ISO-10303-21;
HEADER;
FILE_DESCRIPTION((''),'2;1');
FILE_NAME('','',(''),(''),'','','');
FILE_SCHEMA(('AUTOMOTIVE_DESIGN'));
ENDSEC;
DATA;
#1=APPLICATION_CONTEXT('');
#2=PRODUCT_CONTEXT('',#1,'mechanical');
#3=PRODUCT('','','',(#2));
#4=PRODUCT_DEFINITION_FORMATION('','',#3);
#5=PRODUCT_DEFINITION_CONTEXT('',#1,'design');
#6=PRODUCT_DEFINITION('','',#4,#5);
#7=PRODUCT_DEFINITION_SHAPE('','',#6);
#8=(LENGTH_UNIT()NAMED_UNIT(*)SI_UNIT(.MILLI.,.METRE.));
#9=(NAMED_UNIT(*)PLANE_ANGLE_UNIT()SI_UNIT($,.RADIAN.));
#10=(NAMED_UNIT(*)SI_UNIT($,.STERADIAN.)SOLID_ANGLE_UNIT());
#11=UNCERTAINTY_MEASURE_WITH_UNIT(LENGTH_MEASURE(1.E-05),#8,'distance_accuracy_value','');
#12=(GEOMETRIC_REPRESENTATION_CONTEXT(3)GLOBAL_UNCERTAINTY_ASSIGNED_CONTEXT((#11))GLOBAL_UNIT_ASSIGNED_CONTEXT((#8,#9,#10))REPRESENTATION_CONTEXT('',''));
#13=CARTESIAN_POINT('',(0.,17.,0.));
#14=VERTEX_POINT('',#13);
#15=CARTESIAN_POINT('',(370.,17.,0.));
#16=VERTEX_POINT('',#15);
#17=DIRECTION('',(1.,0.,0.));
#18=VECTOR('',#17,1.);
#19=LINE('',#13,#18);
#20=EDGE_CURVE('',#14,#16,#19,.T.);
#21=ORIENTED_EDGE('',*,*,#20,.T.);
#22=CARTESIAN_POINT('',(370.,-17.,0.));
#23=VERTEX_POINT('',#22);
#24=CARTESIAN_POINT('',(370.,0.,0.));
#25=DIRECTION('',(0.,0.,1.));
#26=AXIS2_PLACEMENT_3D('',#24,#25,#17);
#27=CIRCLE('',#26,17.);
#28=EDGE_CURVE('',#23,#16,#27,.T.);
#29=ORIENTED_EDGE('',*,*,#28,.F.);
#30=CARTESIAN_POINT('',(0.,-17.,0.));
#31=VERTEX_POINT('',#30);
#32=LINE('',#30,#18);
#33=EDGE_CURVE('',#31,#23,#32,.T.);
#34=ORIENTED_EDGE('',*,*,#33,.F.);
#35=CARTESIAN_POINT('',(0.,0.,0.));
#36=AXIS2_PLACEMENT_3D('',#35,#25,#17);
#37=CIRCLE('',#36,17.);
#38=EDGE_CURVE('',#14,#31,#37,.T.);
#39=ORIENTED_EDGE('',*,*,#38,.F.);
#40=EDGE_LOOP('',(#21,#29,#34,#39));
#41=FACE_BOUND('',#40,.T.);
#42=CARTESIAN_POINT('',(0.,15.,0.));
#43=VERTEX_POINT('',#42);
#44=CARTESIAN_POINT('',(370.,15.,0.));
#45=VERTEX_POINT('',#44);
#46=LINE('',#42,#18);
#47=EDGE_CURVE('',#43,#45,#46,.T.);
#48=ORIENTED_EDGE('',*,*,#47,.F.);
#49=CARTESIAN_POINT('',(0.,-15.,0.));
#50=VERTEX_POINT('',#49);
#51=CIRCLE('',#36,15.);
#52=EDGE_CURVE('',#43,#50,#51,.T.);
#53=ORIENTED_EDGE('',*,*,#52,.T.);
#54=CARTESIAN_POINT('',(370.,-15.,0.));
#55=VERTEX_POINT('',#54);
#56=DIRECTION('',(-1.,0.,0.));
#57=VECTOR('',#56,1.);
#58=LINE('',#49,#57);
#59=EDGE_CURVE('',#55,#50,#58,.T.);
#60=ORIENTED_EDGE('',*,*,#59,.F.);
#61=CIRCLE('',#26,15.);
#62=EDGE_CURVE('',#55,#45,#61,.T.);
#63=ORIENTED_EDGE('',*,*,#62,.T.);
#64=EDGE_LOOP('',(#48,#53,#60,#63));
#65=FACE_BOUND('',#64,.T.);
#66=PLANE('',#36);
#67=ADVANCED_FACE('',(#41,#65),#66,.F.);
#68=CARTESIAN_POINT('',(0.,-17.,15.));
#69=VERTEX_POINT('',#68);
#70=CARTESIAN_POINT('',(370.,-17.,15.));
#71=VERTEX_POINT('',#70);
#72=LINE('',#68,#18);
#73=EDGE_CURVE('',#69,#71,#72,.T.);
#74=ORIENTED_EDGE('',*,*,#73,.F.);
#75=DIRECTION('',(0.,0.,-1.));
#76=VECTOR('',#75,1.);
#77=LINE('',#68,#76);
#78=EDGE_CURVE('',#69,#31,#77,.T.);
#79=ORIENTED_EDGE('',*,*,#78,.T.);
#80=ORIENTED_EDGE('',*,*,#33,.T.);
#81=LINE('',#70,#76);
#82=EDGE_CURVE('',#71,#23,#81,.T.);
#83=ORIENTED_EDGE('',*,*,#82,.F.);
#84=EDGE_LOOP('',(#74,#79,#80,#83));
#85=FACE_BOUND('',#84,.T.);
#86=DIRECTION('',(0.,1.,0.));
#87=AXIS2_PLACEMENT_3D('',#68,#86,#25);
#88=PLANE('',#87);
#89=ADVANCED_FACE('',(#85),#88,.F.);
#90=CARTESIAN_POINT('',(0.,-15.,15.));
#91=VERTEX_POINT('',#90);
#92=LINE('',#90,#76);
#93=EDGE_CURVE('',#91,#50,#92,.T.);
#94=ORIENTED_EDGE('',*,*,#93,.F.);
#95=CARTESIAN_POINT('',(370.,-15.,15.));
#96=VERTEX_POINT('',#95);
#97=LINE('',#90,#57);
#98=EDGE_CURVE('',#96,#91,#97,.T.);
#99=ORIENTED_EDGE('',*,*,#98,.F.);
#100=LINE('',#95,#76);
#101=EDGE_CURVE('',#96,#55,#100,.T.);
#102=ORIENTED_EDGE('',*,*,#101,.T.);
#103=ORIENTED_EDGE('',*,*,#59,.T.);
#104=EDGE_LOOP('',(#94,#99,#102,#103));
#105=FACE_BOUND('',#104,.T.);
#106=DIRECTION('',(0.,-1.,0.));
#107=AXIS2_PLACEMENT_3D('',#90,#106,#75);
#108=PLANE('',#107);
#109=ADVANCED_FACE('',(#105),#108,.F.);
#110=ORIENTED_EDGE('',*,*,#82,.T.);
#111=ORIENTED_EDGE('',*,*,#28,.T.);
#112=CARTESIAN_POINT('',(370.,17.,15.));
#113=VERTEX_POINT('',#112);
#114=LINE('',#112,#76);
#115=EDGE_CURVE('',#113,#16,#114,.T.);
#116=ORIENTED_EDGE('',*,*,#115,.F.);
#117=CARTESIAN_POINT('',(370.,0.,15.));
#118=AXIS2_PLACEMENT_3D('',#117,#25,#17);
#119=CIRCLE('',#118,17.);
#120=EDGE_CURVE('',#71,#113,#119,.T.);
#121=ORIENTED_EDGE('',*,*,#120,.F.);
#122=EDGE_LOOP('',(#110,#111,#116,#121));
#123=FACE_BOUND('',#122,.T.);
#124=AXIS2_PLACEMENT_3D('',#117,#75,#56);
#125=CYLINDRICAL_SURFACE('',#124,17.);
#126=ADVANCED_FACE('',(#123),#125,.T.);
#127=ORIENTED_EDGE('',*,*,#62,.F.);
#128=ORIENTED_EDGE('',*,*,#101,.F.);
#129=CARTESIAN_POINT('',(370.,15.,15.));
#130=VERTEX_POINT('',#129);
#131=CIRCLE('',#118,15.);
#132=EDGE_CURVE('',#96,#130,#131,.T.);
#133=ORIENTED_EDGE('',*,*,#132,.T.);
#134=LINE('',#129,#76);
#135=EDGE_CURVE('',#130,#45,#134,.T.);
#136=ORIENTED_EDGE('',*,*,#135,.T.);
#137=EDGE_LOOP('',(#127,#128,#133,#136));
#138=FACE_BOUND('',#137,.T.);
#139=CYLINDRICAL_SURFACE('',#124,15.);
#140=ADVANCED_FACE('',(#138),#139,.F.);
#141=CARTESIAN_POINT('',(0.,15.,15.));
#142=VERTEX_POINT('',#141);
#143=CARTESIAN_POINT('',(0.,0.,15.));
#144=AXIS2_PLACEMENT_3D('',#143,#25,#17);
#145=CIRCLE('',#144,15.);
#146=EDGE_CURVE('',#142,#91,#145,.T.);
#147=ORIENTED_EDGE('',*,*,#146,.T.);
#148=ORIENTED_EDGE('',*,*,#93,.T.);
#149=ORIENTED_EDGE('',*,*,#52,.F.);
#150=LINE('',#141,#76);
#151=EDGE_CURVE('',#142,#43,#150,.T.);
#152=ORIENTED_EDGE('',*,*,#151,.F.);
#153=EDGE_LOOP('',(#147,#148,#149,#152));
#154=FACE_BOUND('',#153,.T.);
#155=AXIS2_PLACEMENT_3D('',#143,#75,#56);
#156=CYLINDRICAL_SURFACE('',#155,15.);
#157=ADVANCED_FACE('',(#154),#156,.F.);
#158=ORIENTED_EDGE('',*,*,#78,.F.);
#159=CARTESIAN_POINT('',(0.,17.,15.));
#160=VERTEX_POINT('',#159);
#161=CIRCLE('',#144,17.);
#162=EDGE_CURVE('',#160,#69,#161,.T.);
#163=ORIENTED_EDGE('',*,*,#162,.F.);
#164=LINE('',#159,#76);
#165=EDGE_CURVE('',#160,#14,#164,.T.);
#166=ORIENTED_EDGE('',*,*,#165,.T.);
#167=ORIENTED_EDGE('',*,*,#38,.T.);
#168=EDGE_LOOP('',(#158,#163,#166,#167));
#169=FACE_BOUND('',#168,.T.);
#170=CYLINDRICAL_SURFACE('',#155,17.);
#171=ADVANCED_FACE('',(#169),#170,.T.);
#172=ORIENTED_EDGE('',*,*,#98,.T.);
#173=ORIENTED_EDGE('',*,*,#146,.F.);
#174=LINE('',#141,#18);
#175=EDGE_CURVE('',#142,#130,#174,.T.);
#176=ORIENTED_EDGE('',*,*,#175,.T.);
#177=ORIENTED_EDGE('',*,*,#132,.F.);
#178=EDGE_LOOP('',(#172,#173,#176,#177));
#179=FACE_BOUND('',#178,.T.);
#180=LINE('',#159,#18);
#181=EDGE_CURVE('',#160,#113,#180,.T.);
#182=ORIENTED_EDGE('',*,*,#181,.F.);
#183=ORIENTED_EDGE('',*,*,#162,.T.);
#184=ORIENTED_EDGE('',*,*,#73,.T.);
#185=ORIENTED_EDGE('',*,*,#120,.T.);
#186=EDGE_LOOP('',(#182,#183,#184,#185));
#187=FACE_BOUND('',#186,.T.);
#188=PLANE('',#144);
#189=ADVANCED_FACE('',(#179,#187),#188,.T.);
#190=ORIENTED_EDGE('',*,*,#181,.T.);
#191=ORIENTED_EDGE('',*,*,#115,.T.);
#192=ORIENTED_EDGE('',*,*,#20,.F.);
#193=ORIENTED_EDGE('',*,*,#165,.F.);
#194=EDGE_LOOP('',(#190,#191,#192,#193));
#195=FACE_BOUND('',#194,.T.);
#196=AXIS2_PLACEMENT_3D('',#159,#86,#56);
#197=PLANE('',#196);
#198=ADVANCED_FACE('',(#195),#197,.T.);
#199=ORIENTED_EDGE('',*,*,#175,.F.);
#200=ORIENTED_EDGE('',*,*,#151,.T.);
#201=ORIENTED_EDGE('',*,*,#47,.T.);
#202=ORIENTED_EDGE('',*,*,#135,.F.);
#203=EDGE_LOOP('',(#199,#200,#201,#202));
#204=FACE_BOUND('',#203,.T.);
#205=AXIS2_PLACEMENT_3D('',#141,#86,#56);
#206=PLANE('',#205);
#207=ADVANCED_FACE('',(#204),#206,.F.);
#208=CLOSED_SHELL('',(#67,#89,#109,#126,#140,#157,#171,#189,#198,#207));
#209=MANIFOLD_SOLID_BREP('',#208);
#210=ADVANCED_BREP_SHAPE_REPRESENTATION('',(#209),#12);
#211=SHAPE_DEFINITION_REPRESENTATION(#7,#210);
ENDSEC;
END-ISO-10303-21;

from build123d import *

# Parameters (mm, degrees)
EXTRUDE_3_DEPTH = 15


with BuildPart() as part:
    # 스케치1 → 보스-돌출3 (new body)
    with BuildSketch(Plane.XY):
        with BuildLine():
            ThreePointArc((370, -17), (387, 0), (370, 17))
            Line((370, 17), (0, 17))
            ThreePointArc((0, 17), (-17, 0), (0, -17))
            Line((0, -17), (370, -17))
        make_face()
        with BuildLine():
            ThreePointArc((0, -15), (-15, 0), (0, 15))
            Line((0, 15), (370, 15))
            ThreePointArc((370, 15), (385, 0), (370, -15))
            Line((370, -15), (0, -15))
        make_face(mode=Mode.SUBTRACT)
    extrude(amount=EXTRUDE_3_DEPTH)


solid = part.part
